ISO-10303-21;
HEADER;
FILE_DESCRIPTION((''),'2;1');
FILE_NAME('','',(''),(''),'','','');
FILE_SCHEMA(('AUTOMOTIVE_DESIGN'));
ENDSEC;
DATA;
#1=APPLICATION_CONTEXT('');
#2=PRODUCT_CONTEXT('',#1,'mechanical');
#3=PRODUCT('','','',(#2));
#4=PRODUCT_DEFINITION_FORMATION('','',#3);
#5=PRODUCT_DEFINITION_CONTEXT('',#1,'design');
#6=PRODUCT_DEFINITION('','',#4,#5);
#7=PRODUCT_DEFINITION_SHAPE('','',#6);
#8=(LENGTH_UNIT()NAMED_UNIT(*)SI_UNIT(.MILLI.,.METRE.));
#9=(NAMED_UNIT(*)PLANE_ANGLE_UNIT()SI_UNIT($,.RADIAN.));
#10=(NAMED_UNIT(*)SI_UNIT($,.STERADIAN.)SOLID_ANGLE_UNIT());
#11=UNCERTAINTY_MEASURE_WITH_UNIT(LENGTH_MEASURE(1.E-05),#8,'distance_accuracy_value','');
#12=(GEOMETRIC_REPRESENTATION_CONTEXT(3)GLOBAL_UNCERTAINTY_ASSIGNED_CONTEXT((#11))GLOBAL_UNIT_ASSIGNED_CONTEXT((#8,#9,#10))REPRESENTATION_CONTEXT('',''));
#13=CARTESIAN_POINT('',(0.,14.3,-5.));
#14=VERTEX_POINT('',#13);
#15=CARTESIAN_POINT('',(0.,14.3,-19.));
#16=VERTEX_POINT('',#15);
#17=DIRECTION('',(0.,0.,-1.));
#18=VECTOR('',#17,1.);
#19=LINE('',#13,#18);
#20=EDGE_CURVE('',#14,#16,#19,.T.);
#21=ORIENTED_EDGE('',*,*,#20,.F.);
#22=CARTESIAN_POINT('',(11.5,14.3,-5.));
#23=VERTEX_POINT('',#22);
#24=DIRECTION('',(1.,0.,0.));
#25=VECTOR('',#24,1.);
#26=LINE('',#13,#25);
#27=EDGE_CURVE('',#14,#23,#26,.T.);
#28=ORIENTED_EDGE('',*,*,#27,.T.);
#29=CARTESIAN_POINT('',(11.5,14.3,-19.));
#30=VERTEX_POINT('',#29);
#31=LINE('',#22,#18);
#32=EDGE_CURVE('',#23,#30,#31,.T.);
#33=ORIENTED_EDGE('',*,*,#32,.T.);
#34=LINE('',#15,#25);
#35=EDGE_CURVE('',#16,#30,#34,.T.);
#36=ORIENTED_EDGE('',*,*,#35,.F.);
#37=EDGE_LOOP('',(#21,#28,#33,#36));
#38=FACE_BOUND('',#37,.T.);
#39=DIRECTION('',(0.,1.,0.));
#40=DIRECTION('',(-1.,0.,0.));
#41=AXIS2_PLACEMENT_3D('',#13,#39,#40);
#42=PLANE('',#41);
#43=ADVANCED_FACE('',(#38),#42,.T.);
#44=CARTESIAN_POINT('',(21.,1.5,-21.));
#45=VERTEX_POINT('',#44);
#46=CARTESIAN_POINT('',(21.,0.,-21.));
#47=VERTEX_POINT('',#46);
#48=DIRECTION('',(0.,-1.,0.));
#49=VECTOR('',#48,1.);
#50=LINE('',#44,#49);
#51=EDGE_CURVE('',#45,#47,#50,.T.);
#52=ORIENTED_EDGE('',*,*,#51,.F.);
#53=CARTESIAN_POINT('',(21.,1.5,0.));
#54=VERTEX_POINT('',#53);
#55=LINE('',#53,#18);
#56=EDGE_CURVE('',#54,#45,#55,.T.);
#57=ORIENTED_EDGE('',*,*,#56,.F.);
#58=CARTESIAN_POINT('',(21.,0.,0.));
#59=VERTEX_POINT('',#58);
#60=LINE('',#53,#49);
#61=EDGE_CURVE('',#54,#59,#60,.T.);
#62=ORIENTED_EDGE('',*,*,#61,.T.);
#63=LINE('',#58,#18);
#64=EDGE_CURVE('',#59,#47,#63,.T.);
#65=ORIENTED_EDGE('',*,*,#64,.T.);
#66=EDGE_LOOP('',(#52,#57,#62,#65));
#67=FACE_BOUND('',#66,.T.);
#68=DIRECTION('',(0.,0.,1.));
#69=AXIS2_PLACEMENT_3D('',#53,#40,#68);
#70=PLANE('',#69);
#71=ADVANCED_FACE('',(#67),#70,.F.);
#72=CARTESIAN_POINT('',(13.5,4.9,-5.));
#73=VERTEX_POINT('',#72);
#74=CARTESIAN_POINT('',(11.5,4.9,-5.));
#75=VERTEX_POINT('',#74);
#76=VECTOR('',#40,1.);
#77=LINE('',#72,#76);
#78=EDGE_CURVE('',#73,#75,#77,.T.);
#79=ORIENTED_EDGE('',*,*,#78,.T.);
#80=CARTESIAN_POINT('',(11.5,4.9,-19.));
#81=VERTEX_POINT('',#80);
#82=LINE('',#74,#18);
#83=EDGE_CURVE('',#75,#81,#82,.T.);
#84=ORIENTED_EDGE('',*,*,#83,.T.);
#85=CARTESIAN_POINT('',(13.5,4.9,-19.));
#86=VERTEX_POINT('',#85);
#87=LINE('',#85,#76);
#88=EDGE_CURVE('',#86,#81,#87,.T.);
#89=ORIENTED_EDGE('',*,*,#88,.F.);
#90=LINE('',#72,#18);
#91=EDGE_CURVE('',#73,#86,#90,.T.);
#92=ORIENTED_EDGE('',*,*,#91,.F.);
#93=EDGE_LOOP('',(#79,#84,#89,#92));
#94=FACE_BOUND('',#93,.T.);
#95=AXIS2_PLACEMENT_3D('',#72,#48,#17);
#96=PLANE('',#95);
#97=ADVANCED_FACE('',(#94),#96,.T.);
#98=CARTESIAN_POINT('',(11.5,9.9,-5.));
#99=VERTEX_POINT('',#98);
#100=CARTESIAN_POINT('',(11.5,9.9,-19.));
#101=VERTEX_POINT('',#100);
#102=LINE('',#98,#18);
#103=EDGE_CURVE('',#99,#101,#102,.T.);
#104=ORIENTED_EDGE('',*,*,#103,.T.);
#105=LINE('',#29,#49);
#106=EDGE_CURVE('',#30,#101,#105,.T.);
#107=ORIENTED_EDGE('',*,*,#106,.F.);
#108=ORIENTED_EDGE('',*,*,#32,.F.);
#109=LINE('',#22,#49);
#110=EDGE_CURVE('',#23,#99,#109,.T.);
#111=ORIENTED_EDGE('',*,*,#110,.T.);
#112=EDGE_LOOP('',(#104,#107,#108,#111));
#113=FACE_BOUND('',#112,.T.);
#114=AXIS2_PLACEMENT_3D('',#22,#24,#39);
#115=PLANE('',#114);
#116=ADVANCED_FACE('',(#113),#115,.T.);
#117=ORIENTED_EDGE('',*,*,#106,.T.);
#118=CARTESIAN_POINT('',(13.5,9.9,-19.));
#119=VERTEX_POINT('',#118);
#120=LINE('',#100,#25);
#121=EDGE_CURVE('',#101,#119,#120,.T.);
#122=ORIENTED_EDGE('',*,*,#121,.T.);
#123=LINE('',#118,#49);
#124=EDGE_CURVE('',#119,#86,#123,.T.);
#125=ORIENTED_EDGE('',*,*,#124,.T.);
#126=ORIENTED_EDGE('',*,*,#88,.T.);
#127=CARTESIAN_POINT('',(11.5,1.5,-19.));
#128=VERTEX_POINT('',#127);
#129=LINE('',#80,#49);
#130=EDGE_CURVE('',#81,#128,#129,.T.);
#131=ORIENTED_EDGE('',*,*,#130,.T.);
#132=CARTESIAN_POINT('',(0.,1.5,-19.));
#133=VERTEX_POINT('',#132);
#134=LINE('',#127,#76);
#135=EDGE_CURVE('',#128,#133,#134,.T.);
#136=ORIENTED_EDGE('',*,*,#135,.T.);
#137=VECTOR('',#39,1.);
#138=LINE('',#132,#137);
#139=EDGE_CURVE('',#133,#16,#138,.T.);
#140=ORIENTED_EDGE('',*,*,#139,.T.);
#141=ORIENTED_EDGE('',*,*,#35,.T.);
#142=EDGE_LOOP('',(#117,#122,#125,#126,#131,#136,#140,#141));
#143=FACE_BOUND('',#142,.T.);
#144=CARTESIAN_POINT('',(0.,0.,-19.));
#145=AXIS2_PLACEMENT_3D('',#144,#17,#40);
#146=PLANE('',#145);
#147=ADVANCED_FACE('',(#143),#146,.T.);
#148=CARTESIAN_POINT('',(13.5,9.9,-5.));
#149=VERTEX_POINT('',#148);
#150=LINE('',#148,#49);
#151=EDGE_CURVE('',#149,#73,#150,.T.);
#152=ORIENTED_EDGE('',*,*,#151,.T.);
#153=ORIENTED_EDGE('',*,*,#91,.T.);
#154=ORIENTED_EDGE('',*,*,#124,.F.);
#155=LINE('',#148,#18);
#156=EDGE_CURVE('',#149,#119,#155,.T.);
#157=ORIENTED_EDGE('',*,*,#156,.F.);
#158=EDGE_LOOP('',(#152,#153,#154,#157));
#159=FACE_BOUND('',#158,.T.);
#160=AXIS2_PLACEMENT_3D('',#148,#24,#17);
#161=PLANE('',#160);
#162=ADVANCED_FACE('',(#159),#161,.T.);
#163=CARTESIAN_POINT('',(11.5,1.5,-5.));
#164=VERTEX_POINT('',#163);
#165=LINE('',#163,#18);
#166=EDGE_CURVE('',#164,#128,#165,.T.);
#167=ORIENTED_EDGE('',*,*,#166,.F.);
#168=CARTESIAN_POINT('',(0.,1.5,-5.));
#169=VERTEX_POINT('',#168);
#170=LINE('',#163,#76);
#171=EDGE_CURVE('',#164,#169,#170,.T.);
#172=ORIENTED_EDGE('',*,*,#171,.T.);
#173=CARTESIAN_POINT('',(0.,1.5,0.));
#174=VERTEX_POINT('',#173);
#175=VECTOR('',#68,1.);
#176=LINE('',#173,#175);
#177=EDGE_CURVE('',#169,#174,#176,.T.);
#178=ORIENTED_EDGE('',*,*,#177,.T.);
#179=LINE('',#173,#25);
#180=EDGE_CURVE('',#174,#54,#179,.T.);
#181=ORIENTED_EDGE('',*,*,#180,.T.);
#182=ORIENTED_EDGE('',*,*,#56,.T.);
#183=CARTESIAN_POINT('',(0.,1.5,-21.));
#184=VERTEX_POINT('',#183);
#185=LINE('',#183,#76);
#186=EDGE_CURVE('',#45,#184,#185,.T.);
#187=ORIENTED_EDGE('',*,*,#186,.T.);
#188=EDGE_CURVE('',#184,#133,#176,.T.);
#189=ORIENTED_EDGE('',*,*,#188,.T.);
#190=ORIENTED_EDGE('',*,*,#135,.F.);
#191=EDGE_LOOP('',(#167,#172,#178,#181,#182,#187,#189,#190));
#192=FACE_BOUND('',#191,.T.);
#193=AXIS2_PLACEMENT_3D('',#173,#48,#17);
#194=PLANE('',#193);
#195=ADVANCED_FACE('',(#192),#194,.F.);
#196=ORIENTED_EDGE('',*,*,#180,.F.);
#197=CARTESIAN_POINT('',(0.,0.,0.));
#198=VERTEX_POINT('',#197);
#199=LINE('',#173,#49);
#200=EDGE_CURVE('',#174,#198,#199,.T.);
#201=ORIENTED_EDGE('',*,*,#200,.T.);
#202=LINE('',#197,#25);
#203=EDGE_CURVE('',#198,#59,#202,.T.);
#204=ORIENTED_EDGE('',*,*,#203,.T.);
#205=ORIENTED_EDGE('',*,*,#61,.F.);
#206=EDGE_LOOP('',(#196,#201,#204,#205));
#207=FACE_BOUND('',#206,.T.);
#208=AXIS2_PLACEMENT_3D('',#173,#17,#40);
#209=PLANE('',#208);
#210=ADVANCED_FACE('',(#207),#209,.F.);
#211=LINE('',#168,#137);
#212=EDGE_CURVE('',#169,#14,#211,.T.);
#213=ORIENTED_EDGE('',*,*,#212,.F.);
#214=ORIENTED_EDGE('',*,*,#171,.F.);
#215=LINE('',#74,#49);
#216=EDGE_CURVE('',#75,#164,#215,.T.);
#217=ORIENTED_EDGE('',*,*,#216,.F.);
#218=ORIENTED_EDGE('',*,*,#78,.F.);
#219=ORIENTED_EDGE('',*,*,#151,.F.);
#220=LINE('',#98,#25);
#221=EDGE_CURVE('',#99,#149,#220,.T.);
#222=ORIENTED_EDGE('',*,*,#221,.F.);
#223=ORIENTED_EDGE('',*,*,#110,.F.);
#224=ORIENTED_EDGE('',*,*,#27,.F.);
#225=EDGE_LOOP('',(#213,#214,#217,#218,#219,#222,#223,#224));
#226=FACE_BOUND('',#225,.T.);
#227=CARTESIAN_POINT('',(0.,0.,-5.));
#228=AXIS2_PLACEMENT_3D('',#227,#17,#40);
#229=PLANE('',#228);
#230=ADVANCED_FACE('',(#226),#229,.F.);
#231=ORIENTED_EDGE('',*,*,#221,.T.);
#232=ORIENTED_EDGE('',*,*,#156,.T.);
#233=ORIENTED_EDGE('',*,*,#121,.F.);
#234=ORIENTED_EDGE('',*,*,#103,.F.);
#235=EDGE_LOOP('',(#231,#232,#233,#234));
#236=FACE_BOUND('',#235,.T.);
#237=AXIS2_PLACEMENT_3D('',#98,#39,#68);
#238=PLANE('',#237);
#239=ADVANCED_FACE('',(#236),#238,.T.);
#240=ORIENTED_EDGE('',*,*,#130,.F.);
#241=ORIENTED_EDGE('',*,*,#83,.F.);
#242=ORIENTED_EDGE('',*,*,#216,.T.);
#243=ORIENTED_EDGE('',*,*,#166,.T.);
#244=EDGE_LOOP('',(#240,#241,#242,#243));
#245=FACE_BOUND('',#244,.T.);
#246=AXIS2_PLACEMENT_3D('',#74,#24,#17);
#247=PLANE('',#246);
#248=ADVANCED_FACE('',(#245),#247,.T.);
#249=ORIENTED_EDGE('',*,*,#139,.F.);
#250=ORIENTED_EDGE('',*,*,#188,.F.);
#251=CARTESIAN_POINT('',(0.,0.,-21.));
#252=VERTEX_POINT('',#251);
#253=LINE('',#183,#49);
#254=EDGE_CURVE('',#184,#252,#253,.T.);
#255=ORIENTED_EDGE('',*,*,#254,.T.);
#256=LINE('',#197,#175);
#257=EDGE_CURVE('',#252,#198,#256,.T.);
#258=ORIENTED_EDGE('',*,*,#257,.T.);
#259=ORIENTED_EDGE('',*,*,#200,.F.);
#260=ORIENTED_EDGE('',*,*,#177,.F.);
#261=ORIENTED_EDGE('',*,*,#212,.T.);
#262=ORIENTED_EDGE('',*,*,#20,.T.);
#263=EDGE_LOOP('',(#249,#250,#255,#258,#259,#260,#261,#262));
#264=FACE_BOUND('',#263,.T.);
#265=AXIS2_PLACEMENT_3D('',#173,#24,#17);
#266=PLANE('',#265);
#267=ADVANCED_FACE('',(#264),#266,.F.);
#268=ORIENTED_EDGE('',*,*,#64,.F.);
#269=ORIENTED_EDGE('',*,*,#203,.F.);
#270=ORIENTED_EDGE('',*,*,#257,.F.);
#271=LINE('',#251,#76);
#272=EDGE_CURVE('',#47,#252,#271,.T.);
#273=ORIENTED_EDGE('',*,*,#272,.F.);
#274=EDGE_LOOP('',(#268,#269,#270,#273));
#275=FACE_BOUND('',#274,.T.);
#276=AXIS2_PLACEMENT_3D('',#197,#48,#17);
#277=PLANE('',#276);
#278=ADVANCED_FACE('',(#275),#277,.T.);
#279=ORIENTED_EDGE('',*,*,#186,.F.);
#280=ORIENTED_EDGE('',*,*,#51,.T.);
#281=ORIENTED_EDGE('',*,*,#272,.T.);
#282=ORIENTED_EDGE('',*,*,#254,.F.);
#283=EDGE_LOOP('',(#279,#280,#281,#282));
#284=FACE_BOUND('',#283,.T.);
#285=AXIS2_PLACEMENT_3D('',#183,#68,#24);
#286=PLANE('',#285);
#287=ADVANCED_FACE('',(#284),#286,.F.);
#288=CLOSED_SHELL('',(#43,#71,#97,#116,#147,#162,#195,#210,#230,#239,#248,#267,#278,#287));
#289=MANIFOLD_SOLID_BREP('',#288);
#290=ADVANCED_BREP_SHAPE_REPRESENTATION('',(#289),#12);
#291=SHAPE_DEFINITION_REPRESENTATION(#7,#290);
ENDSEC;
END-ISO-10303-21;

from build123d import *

# Parameters (mm, degrees)
SKETCH1_W           = 21
SKETCH1_H           = 21
BOSS_EXTRUDE1_DEPTH = 1.5
BOSS_EXTRUDE3_DEPTH = 14


with BuildPart() as part:
    # Sketch1 → Boss-Extrude1 (new body)
    with BuildSketch(Plane(origin=(0, 0, 0), x_dir=(1, 0, 0), z_dir=(0, 1, 0))):
        with Locations((10.5, 10.5)):
            Rectangle(SKETCH1_W, SKETCH1_H)
    extrude(amount=BOSS_EXTRUDE1_DEPTH)

    # Sketch3 → Boss-Extrude3 (add)
    with BuildSketch(Plane(origin=(0, 0, -19), x_dir=(-1, 0, 0), z_dir=(0, 0, -1))):
        Polygon((0, 1.5), (0, 14.3), (-11.5, 14.3), (-11.5, 9.9), (-13.5, 9.9), (-13.5, 4.9), (-11.5, 4.9), (-11.5, 1.5), align=None)
    extrude(amount=-BOSS_EXTRUDE3_DEPTH)


solid = part.part
